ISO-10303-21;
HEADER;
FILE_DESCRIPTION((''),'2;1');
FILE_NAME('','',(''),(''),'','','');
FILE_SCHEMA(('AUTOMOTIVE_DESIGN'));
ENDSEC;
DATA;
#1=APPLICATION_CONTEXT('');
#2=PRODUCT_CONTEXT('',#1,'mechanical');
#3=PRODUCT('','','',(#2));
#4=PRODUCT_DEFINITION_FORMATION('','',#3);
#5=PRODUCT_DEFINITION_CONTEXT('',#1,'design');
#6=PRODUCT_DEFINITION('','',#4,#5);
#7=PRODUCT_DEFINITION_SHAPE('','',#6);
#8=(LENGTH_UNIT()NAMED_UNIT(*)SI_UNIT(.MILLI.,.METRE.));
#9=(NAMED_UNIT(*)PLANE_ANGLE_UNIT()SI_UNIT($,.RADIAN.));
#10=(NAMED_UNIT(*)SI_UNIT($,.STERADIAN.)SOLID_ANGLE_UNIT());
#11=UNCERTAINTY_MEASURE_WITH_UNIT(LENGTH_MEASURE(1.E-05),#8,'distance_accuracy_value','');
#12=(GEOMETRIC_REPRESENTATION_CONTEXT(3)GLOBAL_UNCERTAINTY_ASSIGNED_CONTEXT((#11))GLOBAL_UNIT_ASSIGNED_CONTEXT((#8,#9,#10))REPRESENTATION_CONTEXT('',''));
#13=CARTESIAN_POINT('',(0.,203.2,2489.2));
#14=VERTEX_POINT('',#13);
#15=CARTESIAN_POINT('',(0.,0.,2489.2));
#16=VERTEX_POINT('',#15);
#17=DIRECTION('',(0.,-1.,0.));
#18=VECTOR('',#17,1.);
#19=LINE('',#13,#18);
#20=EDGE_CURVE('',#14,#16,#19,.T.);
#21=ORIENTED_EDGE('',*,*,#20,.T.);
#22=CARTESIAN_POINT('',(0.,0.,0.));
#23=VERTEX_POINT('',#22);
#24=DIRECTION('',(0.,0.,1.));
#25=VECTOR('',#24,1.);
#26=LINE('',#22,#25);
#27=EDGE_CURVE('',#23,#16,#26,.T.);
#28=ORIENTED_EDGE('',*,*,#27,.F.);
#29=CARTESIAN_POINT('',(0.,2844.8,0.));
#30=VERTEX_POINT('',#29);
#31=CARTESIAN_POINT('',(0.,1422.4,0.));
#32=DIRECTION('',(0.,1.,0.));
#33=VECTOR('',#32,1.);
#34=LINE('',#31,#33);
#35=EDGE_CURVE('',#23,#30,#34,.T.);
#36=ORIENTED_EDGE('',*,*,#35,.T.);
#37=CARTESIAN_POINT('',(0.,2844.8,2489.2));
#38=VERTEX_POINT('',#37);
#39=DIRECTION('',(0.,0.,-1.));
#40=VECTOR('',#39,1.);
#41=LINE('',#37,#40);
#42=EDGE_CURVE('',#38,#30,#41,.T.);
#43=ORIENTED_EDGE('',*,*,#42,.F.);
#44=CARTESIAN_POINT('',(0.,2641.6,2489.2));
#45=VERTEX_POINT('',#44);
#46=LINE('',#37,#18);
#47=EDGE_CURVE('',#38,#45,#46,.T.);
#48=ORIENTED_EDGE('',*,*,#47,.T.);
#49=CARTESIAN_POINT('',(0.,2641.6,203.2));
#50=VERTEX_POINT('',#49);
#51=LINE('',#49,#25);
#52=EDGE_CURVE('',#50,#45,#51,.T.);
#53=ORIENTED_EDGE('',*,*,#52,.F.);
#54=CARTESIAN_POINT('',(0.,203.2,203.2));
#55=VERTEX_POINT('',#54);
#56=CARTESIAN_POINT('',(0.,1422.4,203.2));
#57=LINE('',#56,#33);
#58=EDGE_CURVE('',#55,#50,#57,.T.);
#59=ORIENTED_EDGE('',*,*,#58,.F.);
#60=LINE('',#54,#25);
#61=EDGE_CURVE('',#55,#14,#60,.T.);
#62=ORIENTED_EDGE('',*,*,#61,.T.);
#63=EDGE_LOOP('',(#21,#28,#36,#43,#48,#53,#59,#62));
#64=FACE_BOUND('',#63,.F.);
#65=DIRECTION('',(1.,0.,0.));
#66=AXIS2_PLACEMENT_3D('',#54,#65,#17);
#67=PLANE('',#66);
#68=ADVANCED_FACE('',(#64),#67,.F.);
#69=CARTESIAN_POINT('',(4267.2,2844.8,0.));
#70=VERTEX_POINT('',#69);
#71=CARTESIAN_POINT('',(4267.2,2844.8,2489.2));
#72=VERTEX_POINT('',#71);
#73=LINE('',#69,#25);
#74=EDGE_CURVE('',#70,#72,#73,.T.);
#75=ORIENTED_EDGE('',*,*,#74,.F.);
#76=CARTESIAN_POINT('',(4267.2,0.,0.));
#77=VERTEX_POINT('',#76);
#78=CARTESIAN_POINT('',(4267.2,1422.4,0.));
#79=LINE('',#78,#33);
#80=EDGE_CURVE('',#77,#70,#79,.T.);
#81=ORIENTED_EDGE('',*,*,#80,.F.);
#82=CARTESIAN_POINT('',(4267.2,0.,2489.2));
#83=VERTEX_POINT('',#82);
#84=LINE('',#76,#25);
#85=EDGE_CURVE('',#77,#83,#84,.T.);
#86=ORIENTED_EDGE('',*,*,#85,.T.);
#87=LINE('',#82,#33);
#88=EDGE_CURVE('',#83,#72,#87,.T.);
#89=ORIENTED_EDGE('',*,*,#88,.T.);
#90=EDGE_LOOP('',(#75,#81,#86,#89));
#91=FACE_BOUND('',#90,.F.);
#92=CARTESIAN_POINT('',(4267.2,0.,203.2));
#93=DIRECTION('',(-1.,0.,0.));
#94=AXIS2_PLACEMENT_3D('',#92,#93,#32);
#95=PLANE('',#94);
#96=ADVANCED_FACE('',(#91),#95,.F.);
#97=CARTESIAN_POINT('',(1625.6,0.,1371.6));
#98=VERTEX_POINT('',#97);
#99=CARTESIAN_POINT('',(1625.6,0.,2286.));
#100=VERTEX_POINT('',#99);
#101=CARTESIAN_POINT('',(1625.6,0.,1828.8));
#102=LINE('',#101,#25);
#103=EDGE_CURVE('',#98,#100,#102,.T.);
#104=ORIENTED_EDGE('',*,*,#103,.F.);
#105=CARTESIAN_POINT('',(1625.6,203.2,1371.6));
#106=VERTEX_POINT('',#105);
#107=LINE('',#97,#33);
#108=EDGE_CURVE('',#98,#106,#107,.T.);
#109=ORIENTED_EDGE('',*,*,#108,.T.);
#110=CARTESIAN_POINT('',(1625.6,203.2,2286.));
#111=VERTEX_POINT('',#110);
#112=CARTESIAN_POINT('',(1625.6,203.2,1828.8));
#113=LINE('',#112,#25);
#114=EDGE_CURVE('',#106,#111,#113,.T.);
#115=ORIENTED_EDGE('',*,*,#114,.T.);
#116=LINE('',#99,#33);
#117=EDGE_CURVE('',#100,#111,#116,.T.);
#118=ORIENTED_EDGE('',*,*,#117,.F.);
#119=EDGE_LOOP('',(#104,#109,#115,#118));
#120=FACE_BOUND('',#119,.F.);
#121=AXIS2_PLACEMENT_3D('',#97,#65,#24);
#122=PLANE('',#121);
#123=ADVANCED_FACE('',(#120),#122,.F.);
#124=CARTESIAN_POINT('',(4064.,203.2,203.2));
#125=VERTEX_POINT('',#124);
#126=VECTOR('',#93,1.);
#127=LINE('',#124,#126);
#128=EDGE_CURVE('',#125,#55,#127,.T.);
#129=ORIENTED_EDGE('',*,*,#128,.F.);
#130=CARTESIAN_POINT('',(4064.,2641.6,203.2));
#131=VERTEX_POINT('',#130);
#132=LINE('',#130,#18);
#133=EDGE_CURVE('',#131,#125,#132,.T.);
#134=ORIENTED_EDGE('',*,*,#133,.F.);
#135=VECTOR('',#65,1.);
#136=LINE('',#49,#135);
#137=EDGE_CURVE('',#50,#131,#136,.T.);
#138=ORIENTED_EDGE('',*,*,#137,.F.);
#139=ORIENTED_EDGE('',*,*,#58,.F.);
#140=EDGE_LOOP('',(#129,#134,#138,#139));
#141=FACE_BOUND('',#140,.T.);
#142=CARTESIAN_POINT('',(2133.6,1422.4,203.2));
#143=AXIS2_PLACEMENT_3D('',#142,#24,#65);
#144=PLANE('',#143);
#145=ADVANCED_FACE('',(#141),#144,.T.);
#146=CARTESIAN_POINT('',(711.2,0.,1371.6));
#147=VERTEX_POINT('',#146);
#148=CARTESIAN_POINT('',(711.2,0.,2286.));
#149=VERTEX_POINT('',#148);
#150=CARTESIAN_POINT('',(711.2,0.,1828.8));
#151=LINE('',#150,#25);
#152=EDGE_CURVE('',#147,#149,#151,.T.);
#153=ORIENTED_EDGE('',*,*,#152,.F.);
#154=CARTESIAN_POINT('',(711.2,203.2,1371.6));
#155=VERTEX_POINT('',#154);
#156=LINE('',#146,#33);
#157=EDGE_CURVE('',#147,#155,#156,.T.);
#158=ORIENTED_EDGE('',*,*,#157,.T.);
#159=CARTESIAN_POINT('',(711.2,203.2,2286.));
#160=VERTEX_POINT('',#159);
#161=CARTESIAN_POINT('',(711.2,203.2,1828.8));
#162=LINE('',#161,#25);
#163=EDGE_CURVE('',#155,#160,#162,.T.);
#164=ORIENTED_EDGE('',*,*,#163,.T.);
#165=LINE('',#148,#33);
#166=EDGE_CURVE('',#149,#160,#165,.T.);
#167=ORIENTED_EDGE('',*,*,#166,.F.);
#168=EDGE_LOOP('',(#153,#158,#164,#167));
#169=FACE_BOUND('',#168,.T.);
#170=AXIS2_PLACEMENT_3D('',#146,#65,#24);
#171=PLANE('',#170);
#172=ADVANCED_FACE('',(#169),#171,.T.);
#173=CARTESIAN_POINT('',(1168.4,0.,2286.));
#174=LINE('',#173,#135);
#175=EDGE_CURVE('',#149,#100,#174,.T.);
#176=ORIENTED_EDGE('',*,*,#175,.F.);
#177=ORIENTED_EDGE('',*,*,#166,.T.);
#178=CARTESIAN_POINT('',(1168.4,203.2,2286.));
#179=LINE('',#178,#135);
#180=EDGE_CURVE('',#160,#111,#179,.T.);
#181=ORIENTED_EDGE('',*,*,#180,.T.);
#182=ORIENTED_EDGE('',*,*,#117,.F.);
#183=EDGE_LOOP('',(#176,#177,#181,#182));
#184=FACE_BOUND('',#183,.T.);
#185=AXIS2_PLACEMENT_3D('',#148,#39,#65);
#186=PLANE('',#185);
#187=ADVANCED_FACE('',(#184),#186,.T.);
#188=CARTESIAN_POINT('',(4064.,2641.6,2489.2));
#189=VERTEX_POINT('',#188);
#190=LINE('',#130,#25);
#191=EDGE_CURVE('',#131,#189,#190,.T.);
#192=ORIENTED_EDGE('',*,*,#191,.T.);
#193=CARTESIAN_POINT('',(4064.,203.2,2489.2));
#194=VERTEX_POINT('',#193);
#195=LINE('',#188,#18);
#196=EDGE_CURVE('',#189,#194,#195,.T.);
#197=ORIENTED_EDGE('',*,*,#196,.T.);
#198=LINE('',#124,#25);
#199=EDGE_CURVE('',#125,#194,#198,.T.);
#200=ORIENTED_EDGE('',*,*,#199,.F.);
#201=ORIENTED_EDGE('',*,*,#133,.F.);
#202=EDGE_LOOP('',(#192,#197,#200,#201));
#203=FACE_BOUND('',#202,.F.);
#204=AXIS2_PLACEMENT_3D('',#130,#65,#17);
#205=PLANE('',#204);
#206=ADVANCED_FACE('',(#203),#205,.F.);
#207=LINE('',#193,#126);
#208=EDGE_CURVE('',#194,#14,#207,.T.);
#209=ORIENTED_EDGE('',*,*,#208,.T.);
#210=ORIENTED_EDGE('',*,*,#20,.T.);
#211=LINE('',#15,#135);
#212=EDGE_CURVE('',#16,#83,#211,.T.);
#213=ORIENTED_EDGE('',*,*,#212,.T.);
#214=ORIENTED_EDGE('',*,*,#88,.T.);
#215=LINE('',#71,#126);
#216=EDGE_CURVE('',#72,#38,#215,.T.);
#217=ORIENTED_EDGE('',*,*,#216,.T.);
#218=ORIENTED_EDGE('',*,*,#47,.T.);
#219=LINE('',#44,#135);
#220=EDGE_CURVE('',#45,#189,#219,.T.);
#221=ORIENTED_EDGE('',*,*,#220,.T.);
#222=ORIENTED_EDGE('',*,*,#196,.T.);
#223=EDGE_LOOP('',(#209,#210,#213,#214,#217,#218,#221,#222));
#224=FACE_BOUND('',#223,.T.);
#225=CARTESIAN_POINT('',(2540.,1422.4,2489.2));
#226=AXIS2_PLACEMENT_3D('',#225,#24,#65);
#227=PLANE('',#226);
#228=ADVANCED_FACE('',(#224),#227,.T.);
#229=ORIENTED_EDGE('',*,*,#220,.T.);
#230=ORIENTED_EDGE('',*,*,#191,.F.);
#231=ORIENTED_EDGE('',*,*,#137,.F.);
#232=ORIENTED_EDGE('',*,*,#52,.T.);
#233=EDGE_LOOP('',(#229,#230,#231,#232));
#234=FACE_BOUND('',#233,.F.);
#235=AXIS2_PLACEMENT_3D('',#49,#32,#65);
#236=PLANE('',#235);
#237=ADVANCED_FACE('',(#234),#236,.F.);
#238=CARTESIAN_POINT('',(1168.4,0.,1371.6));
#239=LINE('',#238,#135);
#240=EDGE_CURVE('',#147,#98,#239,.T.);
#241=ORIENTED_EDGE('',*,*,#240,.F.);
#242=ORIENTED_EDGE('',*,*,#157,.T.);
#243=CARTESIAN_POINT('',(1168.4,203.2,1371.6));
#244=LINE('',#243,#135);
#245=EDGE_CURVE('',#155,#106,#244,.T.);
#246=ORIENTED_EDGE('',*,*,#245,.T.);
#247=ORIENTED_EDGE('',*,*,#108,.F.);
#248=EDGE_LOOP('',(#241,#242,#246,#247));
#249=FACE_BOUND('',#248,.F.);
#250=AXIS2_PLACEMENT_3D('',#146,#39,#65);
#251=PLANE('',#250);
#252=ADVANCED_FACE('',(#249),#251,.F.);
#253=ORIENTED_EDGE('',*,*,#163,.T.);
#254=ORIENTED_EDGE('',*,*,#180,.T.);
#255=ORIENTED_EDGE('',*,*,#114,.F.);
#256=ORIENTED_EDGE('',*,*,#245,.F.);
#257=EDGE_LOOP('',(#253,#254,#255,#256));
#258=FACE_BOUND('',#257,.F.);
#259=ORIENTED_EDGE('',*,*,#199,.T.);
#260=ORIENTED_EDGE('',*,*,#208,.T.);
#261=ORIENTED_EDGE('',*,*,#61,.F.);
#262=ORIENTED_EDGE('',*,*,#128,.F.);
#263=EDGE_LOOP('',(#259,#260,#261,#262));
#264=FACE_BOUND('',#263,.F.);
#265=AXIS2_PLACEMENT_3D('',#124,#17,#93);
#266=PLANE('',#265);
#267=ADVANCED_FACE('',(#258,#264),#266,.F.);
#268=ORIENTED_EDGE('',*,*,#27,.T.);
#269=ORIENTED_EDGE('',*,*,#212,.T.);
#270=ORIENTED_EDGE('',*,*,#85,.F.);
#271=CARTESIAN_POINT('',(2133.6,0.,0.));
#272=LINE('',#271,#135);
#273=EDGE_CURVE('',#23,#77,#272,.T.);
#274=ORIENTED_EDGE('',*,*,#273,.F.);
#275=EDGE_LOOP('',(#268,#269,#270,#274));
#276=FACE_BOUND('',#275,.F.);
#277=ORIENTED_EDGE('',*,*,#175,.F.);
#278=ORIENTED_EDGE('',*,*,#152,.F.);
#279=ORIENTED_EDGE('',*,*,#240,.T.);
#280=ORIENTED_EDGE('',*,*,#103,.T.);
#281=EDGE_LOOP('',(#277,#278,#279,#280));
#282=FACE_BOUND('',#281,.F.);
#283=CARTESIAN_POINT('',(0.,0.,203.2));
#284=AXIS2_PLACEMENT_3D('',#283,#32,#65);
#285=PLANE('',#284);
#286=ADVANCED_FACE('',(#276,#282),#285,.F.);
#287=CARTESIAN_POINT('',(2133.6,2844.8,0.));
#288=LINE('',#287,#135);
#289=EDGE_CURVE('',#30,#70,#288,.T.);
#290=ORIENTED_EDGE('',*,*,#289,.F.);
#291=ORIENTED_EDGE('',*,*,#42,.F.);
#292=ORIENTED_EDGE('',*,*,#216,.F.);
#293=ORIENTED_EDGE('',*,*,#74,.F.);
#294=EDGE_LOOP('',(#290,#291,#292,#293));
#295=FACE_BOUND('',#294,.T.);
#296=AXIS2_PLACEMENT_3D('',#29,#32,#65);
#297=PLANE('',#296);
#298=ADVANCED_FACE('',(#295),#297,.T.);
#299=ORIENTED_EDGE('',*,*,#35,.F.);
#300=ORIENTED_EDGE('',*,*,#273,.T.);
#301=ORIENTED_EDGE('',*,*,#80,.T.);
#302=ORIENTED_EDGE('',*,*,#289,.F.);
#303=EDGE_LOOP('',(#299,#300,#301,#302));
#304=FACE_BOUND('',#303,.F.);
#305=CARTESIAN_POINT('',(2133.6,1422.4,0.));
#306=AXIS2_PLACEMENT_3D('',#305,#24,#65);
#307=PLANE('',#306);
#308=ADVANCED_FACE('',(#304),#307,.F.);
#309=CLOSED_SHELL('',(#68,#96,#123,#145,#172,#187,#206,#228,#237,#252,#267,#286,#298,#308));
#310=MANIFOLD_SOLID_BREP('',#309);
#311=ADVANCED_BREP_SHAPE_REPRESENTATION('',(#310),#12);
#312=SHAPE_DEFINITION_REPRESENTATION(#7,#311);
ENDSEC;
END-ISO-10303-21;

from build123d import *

# Parameters (mm, degrees)
F0_W     = 4267.2
F0_H     = 2844.8
F1_DEPTH = 203.2
F3_DEPTH = 2286
F4_W     = 914.4
F4_H     = 914.4
F5_DEPTH = 203.2


with BuildPart() as f1:
    # F0 (on Top) → F1 (new body)
    with BuildSketch(Plane.XY):
        with Locations((2133.6, 1422.4)):
            Rectangle(F0_W, F0_H)
    extrude(amount=F1_DEPTH)

    # F2 (on face) → F3 (join)
    with BuildSketch(Plane.XY.offset(203.2)):
        Polygon((0, 203.2), (0, 0), (4267.2, 0), (4267.2, 2844.8), (0, 2844.8), (0, 2641.6), (4064, 2641.6), (4064, 203.2), align=None)
    extrude(amount=F3_DEPTH)

    # F4 (on face) → F5 (cut, through all)
    with BuildSketch(Plane.XZ):
        with Locations((1168.4, 1828.8)):
            Rectangle(F4_W, F4_H)
    extrude(amount=-F5_DEPTH, mode=Mode.SUBTRACT)


solid = f1.part
